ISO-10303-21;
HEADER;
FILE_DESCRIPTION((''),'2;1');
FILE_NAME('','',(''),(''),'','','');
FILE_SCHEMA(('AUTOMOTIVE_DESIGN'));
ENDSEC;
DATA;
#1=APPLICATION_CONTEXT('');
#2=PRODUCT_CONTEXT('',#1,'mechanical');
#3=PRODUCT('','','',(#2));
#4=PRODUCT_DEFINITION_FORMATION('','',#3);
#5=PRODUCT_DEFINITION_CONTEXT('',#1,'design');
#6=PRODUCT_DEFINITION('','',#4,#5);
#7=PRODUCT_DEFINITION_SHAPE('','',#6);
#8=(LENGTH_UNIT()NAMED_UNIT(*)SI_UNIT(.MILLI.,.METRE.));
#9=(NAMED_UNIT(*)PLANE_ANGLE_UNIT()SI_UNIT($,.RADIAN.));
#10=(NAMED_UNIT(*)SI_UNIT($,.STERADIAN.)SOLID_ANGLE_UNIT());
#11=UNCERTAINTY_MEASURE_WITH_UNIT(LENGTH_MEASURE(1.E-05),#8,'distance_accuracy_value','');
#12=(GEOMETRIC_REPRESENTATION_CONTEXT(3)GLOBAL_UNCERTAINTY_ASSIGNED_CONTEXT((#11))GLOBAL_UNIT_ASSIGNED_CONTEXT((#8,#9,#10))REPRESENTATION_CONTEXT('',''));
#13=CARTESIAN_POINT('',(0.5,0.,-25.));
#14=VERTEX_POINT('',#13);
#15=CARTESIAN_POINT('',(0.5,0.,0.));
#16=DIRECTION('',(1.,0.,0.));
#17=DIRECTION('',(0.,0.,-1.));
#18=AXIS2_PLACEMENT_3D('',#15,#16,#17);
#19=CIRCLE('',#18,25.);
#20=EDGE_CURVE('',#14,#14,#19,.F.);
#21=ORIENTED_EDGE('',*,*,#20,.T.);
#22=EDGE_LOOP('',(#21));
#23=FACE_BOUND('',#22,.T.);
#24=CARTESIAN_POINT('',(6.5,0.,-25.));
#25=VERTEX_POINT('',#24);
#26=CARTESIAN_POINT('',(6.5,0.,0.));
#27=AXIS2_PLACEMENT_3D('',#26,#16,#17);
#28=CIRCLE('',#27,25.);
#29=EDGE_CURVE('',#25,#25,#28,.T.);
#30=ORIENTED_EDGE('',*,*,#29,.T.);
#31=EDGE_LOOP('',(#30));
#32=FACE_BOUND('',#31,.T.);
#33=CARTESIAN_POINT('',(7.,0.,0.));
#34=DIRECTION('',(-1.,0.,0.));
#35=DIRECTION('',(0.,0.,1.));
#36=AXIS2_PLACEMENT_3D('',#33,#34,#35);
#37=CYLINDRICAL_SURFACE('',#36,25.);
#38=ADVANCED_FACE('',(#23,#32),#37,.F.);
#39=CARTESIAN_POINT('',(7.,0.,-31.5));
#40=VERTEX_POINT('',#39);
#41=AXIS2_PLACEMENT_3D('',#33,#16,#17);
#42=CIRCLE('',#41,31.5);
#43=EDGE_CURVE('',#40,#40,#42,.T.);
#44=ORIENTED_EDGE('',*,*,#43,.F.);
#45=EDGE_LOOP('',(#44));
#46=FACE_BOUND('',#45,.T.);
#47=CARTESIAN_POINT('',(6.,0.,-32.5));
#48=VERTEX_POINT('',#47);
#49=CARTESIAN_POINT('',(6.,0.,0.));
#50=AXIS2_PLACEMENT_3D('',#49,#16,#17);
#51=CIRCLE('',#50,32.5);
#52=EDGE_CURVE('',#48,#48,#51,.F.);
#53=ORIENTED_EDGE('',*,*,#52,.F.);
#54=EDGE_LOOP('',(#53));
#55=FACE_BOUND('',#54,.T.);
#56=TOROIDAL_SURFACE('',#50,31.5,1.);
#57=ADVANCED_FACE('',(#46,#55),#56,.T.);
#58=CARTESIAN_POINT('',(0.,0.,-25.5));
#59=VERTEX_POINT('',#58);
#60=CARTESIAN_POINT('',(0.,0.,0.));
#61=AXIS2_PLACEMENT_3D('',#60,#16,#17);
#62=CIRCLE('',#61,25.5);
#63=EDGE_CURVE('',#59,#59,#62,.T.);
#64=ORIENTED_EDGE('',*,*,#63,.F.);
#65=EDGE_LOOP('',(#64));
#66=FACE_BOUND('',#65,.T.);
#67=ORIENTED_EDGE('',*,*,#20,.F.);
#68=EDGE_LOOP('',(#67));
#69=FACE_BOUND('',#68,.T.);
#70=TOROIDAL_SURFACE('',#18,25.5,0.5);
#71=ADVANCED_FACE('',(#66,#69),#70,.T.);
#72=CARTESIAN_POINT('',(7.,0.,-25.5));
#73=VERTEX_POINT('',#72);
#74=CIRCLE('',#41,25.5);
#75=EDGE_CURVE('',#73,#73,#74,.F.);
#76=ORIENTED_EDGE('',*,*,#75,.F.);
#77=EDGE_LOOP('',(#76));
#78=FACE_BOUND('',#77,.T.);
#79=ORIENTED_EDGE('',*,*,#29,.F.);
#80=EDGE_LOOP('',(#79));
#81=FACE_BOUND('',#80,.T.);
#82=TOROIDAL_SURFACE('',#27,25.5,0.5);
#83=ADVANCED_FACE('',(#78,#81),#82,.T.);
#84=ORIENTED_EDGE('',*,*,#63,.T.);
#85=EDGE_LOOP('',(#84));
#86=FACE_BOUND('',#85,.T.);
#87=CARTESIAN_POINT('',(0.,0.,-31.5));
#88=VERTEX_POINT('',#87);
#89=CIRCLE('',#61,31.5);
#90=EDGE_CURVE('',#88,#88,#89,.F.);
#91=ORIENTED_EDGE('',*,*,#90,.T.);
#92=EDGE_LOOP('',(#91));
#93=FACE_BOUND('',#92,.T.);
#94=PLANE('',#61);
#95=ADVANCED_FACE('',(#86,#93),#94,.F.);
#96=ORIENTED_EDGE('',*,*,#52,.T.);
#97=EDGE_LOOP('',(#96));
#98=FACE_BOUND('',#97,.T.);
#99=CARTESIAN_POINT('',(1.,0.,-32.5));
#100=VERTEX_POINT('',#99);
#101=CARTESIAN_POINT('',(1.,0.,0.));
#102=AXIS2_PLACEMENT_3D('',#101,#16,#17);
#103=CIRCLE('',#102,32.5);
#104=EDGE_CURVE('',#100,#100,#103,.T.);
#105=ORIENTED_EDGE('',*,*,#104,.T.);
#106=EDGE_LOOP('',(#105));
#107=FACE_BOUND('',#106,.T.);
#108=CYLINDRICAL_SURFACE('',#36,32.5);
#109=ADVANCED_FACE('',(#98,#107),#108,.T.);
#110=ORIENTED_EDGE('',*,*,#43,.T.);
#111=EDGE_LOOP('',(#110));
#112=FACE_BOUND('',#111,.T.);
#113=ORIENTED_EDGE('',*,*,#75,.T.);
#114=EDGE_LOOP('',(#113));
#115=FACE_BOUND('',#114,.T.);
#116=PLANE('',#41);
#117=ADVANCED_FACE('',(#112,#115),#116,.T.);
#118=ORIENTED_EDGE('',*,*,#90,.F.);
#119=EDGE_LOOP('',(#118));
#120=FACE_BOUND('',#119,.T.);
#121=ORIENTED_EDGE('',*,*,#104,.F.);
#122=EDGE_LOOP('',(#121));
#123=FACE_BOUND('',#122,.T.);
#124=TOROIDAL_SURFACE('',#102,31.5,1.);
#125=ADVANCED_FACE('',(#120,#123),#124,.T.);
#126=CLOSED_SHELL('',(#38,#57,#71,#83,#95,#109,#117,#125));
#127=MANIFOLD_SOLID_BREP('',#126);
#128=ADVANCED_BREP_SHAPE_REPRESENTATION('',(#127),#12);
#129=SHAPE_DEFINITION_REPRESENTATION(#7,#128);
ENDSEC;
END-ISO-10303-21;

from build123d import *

# Parameters (mm, degrees)
SKETCH1_R           = 32.5
SKETCH1_R_2         = 25
BOSS_EXTRUDE1_DEPTH = 7
FILLET1_R           = 1
FILLET2_R           = 0.5


with BuildPart() as part:
    # Sketch1 → Boss-Extrude1 (new body)
    with BuildSketch(Plane(origin=(0, 0, 0), x_dir=(0, 0, -1), z_dir=(1, 0, 0))):
        Circle(SKETCH1_R)
        Circle(SKETCH1_R_2, mode=Mode.SUBTRACT)
    extrude(amount=BOSS_EXTRUDE1_DEPTH)

    # Fillet1
    fillet1_edges = [part.edges().sort_by_distance(p)[0] for p in [
        (0, 0, 32.5),
        (7, 0, 32.5),
    ]]
    fillet(fillet1_edges, radius=FILLET1_R)

    # Fillet2
    fillet2_edges = [part.edges().sort_by_distance(p)[0] for p in [
        (0, 0, 25),
        (7, 0, 25),
    ]]
    fillet(fillet2_edges, radius=FILLET2_R)


solid = part.part
